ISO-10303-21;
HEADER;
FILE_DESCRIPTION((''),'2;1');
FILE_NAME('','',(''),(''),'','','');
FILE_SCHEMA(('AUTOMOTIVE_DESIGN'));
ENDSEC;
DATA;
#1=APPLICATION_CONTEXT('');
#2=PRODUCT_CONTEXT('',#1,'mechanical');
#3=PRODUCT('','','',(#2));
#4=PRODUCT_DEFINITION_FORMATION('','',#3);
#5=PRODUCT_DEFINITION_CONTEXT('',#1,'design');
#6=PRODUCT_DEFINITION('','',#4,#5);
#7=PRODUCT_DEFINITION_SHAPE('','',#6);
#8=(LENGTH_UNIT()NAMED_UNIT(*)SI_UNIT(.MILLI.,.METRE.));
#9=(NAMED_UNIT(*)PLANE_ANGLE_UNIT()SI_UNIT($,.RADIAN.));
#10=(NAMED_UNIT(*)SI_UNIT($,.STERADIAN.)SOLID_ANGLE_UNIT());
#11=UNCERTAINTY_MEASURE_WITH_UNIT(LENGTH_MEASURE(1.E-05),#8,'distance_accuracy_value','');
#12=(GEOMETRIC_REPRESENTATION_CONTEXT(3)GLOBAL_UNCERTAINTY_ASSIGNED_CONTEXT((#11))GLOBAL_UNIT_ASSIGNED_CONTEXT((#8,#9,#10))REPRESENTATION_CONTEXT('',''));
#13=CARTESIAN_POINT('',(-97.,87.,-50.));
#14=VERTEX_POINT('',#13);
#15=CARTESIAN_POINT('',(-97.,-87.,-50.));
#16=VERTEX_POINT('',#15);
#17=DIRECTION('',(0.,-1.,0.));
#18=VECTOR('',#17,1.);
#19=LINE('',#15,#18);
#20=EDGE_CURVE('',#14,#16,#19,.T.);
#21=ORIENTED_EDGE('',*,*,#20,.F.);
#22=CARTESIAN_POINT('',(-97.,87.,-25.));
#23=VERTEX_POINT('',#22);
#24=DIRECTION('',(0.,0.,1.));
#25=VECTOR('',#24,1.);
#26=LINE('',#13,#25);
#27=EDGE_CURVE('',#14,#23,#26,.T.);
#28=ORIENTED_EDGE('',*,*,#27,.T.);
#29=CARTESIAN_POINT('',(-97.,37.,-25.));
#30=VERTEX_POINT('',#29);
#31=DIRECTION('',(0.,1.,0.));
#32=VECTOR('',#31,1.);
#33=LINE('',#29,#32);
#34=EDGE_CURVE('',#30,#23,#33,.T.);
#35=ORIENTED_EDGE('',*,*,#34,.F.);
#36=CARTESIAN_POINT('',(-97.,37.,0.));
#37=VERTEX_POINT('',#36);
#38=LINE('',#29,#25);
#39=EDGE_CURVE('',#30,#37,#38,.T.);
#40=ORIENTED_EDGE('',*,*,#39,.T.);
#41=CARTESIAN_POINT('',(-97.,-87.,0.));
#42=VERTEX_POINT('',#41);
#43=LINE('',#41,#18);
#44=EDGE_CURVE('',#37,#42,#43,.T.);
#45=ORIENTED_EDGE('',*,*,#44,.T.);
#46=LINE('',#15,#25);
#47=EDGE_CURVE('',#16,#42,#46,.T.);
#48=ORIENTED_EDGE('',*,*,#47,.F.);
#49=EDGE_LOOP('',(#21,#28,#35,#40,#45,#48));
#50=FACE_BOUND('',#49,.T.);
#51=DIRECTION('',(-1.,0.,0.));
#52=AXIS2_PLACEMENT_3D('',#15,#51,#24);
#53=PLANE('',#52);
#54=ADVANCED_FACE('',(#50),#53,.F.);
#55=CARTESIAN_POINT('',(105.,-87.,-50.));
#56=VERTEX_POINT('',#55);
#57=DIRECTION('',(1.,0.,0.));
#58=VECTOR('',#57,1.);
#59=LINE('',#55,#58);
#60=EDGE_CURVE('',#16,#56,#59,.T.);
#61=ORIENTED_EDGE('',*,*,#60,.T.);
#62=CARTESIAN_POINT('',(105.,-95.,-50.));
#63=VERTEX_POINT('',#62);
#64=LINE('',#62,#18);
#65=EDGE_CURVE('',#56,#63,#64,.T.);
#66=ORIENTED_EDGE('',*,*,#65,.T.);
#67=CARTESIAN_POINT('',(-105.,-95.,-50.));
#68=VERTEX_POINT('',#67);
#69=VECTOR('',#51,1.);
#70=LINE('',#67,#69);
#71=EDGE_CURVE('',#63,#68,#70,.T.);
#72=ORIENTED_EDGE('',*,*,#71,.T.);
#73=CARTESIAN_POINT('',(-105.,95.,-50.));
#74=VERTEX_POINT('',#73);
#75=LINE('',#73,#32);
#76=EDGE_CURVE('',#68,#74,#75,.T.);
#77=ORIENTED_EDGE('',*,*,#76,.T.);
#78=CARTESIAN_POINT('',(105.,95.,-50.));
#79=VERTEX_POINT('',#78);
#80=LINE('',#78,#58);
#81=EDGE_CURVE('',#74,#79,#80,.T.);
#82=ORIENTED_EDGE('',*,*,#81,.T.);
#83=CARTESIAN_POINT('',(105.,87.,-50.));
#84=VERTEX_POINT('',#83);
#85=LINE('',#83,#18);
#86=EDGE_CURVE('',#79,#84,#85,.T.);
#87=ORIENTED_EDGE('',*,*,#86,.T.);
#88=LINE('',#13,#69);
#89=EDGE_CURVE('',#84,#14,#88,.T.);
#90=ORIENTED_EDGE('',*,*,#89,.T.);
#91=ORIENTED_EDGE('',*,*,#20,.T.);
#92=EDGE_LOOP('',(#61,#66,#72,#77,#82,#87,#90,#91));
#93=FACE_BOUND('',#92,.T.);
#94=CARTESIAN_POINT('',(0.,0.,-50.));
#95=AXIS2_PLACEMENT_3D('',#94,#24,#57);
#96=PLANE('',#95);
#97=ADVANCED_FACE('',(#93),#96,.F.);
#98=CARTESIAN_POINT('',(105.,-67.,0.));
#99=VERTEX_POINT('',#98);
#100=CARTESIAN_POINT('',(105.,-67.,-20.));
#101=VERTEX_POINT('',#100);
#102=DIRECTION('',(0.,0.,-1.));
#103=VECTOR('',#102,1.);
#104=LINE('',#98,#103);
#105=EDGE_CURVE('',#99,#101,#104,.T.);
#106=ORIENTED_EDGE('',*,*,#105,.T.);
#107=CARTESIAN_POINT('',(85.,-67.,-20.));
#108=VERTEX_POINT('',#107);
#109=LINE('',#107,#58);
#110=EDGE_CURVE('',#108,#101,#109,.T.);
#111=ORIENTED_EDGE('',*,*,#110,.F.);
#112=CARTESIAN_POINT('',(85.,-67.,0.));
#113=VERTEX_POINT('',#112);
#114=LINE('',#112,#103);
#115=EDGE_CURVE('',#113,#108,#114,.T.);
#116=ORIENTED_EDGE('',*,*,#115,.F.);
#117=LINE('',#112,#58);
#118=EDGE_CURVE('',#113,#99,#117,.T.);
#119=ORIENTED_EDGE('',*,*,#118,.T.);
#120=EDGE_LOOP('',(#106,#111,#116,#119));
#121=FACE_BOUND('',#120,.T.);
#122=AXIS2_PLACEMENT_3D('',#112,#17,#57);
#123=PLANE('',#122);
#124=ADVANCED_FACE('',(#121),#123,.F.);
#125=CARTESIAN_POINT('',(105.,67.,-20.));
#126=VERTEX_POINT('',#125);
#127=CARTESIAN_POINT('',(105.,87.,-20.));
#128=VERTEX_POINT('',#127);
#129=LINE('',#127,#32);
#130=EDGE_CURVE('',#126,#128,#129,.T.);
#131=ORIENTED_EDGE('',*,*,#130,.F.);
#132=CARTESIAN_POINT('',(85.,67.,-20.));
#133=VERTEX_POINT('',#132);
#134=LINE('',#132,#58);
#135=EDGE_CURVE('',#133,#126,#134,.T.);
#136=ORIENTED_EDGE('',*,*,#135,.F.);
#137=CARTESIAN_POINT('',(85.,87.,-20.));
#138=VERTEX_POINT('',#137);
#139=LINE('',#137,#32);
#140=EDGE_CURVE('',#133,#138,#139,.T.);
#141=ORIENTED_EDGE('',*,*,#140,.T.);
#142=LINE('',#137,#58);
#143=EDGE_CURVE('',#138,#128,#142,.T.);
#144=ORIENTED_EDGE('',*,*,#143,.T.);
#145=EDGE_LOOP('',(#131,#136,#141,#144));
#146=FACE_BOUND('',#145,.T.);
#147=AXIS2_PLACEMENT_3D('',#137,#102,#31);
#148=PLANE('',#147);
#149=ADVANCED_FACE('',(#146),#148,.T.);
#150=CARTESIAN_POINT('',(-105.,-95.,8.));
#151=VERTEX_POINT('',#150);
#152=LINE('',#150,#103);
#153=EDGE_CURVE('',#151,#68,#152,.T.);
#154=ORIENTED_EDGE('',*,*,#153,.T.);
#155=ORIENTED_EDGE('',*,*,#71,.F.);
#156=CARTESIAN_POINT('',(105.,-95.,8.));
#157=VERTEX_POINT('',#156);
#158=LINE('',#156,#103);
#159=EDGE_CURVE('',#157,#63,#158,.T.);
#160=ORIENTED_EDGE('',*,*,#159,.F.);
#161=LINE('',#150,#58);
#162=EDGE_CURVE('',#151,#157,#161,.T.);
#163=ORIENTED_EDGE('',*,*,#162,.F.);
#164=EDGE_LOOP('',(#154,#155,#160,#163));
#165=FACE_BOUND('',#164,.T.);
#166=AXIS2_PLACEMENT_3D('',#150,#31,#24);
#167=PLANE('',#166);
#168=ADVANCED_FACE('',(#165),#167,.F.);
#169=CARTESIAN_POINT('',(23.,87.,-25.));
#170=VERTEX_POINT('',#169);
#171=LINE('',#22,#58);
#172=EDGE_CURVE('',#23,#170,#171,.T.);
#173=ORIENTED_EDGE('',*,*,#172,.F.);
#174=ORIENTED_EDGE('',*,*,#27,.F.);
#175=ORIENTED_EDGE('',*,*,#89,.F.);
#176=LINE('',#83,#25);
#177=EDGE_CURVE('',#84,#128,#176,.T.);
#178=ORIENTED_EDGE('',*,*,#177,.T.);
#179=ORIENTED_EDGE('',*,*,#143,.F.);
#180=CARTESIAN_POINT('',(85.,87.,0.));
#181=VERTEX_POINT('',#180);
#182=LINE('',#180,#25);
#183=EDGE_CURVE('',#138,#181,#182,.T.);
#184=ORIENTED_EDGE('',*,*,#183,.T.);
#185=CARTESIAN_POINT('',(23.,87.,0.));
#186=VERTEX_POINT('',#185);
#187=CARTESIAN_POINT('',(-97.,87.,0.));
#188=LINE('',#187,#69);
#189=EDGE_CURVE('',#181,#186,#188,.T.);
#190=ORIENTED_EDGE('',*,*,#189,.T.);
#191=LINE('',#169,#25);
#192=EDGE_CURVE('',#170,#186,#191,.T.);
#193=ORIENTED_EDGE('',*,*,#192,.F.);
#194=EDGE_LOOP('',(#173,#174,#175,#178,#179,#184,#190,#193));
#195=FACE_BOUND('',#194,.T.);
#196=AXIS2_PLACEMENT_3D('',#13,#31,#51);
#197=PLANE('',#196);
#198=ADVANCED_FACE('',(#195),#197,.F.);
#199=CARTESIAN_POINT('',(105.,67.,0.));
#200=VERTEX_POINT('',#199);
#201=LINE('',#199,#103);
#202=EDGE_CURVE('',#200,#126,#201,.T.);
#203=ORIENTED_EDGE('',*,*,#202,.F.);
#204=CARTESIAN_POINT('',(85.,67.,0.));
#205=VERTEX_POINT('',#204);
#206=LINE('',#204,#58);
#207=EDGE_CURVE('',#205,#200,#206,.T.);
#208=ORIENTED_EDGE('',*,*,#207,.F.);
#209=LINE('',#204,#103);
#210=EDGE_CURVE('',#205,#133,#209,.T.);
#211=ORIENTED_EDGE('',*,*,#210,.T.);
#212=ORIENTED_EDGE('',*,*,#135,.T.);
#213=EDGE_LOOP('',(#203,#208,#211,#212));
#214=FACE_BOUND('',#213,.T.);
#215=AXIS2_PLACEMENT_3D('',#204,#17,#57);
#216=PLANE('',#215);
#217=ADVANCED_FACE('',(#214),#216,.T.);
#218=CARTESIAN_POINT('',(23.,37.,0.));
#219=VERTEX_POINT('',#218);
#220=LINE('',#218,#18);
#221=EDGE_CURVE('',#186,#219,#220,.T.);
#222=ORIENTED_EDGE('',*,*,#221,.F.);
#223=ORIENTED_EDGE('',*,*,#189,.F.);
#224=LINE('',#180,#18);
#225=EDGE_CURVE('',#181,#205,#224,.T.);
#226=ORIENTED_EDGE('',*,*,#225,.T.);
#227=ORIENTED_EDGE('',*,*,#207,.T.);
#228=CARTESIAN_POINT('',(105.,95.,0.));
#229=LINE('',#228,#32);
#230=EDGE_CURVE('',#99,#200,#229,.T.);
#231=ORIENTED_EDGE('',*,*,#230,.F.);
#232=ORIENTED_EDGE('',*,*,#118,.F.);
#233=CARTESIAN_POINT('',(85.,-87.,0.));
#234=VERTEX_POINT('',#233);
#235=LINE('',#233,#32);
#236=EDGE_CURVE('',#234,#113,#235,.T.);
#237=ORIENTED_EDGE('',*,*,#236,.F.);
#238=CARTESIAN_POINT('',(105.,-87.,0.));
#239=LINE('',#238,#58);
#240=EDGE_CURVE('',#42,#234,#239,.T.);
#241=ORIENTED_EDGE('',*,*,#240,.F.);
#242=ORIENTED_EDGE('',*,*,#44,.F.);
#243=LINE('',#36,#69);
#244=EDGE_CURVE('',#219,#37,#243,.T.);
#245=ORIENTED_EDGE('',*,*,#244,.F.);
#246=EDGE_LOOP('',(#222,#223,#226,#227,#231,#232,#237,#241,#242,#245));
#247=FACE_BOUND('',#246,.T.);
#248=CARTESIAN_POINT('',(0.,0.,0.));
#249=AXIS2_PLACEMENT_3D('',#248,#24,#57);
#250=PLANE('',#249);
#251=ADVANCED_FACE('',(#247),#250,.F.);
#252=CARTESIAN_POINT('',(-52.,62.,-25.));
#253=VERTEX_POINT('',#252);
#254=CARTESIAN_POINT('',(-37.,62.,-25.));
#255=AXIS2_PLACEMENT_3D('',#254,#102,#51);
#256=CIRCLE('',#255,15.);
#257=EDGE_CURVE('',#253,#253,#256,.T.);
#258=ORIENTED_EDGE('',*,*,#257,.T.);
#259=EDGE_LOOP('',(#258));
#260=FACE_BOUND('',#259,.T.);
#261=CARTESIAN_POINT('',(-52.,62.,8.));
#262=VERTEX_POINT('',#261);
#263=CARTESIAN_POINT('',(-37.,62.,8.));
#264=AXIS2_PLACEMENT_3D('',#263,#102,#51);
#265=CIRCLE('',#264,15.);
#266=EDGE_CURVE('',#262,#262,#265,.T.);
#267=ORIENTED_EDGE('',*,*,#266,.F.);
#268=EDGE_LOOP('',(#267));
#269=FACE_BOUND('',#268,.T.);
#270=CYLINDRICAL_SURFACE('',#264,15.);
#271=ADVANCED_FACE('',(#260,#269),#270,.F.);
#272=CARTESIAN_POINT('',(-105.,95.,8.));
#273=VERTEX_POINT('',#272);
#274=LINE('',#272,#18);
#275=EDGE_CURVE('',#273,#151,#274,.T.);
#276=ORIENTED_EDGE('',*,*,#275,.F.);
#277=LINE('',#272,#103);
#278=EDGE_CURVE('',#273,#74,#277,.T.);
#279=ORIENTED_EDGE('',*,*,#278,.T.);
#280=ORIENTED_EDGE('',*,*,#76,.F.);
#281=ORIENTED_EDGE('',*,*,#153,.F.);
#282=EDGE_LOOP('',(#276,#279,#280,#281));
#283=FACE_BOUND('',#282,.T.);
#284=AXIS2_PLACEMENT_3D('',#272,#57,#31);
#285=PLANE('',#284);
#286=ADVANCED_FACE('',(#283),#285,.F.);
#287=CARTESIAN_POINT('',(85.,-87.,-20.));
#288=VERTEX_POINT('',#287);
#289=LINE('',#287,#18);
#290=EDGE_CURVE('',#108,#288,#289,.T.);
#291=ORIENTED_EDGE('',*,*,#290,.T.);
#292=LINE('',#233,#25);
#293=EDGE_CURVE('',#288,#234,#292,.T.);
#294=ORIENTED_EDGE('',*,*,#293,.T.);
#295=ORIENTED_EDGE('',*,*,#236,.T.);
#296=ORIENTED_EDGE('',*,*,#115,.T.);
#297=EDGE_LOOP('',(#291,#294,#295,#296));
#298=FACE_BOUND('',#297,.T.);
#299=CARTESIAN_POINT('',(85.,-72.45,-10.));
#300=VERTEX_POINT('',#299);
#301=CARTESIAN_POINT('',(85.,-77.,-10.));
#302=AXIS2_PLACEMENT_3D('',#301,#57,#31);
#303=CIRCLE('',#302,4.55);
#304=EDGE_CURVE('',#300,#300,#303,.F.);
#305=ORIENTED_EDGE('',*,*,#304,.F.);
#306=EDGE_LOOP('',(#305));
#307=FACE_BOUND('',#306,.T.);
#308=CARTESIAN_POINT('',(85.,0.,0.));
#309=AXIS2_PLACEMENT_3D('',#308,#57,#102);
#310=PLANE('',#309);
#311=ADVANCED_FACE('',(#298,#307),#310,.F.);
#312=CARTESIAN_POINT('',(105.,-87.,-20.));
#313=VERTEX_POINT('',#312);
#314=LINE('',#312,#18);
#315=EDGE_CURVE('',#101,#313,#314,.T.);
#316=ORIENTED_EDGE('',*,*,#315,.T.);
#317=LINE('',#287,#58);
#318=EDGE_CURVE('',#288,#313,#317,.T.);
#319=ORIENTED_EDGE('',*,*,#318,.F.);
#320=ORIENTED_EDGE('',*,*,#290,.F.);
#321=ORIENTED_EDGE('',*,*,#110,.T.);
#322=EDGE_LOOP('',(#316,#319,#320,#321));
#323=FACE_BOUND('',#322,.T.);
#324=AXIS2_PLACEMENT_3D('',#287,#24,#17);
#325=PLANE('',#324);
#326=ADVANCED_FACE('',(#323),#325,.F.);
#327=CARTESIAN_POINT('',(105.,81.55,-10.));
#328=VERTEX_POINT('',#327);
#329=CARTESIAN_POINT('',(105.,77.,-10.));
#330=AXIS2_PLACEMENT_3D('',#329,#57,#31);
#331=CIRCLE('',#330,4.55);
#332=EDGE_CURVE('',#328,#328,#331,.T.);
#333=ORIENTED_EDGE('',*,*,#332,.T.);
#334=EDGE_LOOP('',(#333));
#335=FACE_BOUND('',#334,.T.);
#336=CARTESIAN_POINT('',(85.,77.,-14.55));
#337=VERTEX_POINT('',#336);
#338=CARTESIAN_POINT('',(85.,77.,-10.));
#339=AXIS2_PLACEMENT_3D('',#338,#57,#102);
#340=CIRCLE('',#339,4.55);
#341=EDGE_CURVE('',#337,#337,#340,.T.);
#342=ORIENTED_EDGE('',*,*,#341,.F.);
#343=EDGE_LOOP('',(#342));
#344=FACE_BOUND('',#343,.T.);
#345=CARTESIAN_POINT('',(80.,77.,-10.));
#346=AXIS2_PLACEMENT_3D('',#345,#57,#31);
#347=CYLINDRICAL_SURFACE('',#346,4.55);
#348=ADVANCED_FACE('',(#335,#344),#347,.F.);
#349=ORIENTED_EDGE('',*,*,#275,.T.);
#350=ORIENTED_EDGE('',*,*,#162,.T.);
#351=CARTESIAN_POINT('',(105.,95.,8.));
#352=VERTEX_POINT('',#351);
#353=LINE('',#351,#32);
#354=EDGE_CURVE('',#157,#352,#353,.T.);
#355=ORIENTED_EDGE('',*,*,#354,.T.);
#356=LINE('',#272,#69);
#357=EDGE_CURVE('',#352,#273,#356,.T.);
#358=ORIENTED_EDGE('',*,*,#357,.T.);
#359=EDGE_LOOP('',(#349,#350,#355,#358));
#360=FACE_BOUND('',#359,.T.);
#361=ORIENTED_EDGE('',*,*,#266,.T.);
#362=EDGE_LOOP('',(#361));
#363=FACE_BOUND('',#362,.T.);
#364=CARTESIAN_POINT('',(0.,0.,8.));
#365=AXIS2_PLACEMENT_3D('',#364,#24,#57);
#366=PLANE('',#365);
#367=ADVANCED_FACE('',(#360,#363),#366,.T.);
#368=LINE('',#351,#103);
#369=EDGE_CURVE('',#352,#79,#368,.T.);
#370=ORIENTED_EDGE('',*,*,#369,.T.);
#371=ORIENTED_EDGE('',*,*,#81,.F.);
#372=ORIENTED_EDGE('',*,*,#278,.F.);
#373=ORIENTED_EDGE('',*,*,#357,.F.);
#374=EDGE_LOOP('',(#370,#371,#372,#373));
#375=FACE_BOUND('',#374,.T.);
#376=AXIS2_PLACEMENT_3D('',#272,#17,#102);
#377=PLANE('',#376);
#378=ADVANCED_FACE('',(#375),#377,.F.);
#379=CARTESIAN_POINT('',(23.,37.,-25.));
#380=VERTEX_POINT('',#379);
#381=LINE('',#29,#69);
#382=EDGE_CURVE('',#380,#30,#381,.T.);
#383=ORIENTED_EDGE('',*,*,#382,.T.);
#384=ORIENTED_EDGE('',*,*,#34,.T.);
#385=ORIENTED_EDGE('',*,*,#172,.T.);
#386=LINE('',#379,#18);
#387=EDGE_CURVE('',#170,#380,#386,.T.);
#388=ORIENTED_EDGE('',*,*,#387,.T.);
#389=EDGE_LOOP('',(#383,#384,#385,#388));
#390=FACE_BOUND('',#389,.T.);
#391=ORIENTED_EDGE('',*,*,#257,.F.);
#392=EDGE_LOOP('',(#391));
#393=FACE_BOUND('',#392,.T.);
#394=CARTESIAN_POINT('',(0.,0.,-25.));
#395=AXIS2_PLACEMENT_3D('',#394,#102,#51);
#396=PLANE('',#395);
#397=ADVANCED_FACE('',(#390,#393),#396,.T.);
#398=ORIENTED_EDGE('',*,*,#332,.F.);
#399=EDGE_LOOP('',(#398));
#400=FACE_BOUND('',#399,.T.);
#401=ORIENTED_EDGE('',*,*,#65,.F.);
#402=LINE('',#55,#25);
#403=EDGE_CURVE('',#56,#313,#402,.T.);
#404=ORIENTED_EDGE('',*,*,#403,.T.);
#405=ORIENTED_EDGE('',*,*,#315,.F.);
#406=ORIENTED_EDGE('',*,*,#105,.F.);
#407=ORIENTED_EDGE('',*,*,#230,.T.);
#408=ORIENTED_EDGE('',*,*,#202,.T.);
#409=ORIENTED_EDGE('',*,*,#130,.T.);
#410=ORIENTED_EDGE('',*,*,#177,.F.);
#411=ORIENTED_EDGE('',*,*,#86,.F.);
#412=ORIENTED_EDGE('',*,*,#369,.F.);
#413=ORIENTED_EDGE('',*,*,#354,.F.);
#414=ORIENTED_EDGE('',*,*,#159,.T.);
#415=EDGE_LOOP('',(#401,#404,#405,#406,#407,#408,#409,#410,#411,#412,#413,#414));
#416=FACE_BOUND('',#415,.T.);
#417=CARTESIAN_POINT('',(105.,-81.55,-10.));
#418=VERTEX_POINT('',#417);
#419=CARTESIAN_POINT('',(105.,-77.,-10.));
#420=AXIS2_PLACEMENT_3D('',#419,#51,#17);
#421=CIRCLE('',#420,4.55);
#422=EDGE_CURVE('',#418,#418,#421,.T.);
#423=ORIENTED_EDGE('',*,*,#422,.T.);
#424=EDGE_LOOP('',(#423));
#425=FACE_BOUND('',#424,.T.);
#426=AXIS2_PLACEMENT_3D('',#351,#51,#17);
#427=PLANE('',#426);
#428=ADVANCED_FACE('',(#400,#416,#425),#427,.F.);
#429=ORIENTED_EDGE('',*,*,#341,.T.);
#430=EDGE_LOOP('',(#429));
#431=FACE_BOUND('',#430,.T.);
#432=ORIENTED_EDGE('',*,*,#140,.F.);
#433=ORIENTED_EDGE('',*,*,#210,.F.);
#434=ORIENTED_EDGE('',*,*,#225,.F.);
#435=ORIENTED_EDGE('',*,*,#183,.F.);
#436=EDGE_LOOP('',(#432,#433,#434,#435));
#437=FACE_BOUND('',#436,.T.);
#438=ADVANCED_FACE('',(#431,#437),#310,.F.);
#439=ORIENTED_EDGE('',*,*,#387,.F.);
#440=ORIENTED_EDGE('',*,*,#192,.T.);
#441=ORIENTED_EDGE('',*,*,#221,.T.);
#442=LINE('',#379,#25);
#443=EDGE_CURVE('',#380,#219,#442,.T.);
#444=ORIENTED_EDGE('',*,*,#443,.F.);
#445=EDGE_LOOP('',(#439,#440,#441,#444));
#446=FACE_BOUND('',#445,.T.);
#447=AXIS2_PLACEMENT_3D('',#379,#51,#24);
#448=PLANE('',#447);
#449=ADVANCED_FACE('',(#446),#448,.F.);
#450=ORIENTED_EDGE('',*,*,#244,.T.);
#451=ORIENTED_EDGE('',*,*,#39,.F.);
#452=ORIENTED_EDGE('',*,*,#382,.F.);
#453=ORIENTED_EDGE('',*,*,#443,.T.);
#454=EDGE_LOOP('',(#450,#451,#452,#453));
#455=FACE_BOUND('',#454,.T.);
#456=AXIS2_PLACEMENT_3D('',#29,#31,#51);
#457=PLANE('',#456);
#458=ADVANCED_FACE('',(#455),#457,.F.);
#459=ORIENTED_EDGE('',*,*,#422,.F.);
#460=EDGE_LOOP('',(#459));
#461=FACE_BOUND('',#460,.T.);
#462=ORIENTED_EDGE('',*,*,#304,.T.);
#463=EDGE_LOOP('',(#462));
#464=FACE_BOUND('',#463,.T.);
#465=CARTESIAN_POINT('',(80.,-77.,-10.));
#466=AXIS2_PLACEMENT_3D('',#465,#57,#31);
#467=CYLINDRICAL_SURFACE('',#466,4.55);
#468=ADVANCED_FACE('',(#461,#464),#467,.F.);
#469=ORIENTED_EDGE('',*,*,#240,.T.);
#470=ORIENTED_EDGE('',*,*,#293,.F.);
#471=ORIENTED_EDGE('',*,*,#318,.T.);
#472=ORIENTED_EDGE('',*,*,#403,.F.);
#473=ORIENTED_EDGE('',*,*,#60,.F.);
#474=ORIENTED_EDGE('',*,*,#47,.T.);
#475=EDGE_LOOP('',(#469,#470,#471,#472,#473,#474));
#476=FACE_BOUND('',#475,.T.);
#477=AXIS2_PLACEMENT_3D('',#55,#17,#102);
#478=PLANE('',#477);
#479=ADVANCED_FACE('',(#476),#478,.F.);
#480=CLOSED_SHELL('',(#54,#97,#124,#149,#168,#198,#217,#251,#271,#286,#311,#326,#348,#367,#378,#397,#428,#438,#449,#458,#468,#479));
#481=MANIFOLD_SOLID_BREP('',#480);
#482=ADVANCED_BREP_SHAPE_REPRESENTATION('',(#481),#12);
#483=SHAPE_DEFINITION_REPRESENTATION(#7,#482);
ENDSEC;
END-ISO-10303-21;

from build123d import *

# Parameters (mm, degrees)
SKETCH_1_W          = 210
SKETCH_1_H          = 190
EXTRUDE_1_DEPTH     = 8
EXTRUDE_2_DEPTH     = 50
SKETCH_3_W          = 20
SKETCH_3_H          = 20
EXTRUDE_3_DEPTH     = 20
SKETCH_8_R          = 4.55
CUT_EXTRUDE_1_DEPTH = 25
SKETCH_9_W          = 120
SKETCH_9_H          = 50
EXTRUDE_4_DEPTH     = 25
SKETCH_10_R         = 15
CUT_EXTRUDE_2_DEPTH = 146.392572025


with BuildPart() as part:
    # 스케치1 → 보스-돌출1 (new body)
    with BuildSketch(Plane.XY):
        Rectangle(SKETCH_1_W, SKETCH_1_H)
    extrude(amount=EXTRUDE_1_DEPTH)

    # 스케치2 → 보스-돌출2 (add)
    with BuildSketch(Plane(origin=(0, 0, 0), x_dir=(-1, 0, 0), z_dir=(0, 0, -1))):
        Polygon((-105, 95), (105, 95), (105, -95), (-105, -95), (-105, -87), (97, -87), (97, 87), (-105, 87), align=None)
    extrude(amount=EXTRUDE_2_DEPTH)

    # 스케치3 → 보스-돌출3 (add)
    with BuildSketch(Plane(origin=(105, 0, 0), x_dir=(0, 0, -1), z_dir=(1, 0, 0))):
        with Locations((10, 77)):
            Rectangle(SKETCH_3_W, SKETCH_3_H)
    extrude_3 = extrude(amount=-EXTRUDE_3_DEPTH)

    # 스케치8 → 컷-돌출1 (cut)
    with BuildSketch(Plane(origin=(105, 0, 0), x_dir=(0, 0, -1), z_dir=(1, 0, 0))):
        with Locations(Location((10, 77, 0), (0, 0, 90))):
            Circle(SKETCH_8_R)
    cut_extrude_1 = extrude(amount=-CUT_EXTRUDE_1_DEPTH, mode=Mode.SUBTRACT)

    # 대칭 복사1: 보스-돌출3, 컷-돌출1 across plane
    add(extrude_3.mirror(Plane(origin=(0, 0, 0), x_dir=(0, 0, 1), z_dir=(0, -1, 0))))
    add(cut_extrude_1.mirror(Plane(origin=(0, 0, 0), x_dir=(0, 0, 1), z_dir=(0, -1, 0))), mode=Mode.SUBTRACT)

    # 스케치9 → 보스-돌출4 (add)
    with BuildSketch(Plane(origin=(0, 0, 0), x_dir=(-1, 0, 0), z_dir=(0, 0, -1))):
        with Locations((37, 62)):
            Rectangle(SKETCH_9_W, SKETCH_9_H)
    extrude(amount=EXTRUDE_4_DEPTH)

    # 스케치10 → 컷-돌출2 (cut, through all)
    with BuildSketch(Plane(origin=(0, 0, -25), x_dir=(-1, 0, 0), z_dir=(0, 0, -1))):
        with Locations((37, 62)):
            Circle(SKETCH_10_R)
    extrude(amount=-CUT_EXTRUDE_2_DEPTH, mode=Mode.SUBTRACT)


solid = part.part
